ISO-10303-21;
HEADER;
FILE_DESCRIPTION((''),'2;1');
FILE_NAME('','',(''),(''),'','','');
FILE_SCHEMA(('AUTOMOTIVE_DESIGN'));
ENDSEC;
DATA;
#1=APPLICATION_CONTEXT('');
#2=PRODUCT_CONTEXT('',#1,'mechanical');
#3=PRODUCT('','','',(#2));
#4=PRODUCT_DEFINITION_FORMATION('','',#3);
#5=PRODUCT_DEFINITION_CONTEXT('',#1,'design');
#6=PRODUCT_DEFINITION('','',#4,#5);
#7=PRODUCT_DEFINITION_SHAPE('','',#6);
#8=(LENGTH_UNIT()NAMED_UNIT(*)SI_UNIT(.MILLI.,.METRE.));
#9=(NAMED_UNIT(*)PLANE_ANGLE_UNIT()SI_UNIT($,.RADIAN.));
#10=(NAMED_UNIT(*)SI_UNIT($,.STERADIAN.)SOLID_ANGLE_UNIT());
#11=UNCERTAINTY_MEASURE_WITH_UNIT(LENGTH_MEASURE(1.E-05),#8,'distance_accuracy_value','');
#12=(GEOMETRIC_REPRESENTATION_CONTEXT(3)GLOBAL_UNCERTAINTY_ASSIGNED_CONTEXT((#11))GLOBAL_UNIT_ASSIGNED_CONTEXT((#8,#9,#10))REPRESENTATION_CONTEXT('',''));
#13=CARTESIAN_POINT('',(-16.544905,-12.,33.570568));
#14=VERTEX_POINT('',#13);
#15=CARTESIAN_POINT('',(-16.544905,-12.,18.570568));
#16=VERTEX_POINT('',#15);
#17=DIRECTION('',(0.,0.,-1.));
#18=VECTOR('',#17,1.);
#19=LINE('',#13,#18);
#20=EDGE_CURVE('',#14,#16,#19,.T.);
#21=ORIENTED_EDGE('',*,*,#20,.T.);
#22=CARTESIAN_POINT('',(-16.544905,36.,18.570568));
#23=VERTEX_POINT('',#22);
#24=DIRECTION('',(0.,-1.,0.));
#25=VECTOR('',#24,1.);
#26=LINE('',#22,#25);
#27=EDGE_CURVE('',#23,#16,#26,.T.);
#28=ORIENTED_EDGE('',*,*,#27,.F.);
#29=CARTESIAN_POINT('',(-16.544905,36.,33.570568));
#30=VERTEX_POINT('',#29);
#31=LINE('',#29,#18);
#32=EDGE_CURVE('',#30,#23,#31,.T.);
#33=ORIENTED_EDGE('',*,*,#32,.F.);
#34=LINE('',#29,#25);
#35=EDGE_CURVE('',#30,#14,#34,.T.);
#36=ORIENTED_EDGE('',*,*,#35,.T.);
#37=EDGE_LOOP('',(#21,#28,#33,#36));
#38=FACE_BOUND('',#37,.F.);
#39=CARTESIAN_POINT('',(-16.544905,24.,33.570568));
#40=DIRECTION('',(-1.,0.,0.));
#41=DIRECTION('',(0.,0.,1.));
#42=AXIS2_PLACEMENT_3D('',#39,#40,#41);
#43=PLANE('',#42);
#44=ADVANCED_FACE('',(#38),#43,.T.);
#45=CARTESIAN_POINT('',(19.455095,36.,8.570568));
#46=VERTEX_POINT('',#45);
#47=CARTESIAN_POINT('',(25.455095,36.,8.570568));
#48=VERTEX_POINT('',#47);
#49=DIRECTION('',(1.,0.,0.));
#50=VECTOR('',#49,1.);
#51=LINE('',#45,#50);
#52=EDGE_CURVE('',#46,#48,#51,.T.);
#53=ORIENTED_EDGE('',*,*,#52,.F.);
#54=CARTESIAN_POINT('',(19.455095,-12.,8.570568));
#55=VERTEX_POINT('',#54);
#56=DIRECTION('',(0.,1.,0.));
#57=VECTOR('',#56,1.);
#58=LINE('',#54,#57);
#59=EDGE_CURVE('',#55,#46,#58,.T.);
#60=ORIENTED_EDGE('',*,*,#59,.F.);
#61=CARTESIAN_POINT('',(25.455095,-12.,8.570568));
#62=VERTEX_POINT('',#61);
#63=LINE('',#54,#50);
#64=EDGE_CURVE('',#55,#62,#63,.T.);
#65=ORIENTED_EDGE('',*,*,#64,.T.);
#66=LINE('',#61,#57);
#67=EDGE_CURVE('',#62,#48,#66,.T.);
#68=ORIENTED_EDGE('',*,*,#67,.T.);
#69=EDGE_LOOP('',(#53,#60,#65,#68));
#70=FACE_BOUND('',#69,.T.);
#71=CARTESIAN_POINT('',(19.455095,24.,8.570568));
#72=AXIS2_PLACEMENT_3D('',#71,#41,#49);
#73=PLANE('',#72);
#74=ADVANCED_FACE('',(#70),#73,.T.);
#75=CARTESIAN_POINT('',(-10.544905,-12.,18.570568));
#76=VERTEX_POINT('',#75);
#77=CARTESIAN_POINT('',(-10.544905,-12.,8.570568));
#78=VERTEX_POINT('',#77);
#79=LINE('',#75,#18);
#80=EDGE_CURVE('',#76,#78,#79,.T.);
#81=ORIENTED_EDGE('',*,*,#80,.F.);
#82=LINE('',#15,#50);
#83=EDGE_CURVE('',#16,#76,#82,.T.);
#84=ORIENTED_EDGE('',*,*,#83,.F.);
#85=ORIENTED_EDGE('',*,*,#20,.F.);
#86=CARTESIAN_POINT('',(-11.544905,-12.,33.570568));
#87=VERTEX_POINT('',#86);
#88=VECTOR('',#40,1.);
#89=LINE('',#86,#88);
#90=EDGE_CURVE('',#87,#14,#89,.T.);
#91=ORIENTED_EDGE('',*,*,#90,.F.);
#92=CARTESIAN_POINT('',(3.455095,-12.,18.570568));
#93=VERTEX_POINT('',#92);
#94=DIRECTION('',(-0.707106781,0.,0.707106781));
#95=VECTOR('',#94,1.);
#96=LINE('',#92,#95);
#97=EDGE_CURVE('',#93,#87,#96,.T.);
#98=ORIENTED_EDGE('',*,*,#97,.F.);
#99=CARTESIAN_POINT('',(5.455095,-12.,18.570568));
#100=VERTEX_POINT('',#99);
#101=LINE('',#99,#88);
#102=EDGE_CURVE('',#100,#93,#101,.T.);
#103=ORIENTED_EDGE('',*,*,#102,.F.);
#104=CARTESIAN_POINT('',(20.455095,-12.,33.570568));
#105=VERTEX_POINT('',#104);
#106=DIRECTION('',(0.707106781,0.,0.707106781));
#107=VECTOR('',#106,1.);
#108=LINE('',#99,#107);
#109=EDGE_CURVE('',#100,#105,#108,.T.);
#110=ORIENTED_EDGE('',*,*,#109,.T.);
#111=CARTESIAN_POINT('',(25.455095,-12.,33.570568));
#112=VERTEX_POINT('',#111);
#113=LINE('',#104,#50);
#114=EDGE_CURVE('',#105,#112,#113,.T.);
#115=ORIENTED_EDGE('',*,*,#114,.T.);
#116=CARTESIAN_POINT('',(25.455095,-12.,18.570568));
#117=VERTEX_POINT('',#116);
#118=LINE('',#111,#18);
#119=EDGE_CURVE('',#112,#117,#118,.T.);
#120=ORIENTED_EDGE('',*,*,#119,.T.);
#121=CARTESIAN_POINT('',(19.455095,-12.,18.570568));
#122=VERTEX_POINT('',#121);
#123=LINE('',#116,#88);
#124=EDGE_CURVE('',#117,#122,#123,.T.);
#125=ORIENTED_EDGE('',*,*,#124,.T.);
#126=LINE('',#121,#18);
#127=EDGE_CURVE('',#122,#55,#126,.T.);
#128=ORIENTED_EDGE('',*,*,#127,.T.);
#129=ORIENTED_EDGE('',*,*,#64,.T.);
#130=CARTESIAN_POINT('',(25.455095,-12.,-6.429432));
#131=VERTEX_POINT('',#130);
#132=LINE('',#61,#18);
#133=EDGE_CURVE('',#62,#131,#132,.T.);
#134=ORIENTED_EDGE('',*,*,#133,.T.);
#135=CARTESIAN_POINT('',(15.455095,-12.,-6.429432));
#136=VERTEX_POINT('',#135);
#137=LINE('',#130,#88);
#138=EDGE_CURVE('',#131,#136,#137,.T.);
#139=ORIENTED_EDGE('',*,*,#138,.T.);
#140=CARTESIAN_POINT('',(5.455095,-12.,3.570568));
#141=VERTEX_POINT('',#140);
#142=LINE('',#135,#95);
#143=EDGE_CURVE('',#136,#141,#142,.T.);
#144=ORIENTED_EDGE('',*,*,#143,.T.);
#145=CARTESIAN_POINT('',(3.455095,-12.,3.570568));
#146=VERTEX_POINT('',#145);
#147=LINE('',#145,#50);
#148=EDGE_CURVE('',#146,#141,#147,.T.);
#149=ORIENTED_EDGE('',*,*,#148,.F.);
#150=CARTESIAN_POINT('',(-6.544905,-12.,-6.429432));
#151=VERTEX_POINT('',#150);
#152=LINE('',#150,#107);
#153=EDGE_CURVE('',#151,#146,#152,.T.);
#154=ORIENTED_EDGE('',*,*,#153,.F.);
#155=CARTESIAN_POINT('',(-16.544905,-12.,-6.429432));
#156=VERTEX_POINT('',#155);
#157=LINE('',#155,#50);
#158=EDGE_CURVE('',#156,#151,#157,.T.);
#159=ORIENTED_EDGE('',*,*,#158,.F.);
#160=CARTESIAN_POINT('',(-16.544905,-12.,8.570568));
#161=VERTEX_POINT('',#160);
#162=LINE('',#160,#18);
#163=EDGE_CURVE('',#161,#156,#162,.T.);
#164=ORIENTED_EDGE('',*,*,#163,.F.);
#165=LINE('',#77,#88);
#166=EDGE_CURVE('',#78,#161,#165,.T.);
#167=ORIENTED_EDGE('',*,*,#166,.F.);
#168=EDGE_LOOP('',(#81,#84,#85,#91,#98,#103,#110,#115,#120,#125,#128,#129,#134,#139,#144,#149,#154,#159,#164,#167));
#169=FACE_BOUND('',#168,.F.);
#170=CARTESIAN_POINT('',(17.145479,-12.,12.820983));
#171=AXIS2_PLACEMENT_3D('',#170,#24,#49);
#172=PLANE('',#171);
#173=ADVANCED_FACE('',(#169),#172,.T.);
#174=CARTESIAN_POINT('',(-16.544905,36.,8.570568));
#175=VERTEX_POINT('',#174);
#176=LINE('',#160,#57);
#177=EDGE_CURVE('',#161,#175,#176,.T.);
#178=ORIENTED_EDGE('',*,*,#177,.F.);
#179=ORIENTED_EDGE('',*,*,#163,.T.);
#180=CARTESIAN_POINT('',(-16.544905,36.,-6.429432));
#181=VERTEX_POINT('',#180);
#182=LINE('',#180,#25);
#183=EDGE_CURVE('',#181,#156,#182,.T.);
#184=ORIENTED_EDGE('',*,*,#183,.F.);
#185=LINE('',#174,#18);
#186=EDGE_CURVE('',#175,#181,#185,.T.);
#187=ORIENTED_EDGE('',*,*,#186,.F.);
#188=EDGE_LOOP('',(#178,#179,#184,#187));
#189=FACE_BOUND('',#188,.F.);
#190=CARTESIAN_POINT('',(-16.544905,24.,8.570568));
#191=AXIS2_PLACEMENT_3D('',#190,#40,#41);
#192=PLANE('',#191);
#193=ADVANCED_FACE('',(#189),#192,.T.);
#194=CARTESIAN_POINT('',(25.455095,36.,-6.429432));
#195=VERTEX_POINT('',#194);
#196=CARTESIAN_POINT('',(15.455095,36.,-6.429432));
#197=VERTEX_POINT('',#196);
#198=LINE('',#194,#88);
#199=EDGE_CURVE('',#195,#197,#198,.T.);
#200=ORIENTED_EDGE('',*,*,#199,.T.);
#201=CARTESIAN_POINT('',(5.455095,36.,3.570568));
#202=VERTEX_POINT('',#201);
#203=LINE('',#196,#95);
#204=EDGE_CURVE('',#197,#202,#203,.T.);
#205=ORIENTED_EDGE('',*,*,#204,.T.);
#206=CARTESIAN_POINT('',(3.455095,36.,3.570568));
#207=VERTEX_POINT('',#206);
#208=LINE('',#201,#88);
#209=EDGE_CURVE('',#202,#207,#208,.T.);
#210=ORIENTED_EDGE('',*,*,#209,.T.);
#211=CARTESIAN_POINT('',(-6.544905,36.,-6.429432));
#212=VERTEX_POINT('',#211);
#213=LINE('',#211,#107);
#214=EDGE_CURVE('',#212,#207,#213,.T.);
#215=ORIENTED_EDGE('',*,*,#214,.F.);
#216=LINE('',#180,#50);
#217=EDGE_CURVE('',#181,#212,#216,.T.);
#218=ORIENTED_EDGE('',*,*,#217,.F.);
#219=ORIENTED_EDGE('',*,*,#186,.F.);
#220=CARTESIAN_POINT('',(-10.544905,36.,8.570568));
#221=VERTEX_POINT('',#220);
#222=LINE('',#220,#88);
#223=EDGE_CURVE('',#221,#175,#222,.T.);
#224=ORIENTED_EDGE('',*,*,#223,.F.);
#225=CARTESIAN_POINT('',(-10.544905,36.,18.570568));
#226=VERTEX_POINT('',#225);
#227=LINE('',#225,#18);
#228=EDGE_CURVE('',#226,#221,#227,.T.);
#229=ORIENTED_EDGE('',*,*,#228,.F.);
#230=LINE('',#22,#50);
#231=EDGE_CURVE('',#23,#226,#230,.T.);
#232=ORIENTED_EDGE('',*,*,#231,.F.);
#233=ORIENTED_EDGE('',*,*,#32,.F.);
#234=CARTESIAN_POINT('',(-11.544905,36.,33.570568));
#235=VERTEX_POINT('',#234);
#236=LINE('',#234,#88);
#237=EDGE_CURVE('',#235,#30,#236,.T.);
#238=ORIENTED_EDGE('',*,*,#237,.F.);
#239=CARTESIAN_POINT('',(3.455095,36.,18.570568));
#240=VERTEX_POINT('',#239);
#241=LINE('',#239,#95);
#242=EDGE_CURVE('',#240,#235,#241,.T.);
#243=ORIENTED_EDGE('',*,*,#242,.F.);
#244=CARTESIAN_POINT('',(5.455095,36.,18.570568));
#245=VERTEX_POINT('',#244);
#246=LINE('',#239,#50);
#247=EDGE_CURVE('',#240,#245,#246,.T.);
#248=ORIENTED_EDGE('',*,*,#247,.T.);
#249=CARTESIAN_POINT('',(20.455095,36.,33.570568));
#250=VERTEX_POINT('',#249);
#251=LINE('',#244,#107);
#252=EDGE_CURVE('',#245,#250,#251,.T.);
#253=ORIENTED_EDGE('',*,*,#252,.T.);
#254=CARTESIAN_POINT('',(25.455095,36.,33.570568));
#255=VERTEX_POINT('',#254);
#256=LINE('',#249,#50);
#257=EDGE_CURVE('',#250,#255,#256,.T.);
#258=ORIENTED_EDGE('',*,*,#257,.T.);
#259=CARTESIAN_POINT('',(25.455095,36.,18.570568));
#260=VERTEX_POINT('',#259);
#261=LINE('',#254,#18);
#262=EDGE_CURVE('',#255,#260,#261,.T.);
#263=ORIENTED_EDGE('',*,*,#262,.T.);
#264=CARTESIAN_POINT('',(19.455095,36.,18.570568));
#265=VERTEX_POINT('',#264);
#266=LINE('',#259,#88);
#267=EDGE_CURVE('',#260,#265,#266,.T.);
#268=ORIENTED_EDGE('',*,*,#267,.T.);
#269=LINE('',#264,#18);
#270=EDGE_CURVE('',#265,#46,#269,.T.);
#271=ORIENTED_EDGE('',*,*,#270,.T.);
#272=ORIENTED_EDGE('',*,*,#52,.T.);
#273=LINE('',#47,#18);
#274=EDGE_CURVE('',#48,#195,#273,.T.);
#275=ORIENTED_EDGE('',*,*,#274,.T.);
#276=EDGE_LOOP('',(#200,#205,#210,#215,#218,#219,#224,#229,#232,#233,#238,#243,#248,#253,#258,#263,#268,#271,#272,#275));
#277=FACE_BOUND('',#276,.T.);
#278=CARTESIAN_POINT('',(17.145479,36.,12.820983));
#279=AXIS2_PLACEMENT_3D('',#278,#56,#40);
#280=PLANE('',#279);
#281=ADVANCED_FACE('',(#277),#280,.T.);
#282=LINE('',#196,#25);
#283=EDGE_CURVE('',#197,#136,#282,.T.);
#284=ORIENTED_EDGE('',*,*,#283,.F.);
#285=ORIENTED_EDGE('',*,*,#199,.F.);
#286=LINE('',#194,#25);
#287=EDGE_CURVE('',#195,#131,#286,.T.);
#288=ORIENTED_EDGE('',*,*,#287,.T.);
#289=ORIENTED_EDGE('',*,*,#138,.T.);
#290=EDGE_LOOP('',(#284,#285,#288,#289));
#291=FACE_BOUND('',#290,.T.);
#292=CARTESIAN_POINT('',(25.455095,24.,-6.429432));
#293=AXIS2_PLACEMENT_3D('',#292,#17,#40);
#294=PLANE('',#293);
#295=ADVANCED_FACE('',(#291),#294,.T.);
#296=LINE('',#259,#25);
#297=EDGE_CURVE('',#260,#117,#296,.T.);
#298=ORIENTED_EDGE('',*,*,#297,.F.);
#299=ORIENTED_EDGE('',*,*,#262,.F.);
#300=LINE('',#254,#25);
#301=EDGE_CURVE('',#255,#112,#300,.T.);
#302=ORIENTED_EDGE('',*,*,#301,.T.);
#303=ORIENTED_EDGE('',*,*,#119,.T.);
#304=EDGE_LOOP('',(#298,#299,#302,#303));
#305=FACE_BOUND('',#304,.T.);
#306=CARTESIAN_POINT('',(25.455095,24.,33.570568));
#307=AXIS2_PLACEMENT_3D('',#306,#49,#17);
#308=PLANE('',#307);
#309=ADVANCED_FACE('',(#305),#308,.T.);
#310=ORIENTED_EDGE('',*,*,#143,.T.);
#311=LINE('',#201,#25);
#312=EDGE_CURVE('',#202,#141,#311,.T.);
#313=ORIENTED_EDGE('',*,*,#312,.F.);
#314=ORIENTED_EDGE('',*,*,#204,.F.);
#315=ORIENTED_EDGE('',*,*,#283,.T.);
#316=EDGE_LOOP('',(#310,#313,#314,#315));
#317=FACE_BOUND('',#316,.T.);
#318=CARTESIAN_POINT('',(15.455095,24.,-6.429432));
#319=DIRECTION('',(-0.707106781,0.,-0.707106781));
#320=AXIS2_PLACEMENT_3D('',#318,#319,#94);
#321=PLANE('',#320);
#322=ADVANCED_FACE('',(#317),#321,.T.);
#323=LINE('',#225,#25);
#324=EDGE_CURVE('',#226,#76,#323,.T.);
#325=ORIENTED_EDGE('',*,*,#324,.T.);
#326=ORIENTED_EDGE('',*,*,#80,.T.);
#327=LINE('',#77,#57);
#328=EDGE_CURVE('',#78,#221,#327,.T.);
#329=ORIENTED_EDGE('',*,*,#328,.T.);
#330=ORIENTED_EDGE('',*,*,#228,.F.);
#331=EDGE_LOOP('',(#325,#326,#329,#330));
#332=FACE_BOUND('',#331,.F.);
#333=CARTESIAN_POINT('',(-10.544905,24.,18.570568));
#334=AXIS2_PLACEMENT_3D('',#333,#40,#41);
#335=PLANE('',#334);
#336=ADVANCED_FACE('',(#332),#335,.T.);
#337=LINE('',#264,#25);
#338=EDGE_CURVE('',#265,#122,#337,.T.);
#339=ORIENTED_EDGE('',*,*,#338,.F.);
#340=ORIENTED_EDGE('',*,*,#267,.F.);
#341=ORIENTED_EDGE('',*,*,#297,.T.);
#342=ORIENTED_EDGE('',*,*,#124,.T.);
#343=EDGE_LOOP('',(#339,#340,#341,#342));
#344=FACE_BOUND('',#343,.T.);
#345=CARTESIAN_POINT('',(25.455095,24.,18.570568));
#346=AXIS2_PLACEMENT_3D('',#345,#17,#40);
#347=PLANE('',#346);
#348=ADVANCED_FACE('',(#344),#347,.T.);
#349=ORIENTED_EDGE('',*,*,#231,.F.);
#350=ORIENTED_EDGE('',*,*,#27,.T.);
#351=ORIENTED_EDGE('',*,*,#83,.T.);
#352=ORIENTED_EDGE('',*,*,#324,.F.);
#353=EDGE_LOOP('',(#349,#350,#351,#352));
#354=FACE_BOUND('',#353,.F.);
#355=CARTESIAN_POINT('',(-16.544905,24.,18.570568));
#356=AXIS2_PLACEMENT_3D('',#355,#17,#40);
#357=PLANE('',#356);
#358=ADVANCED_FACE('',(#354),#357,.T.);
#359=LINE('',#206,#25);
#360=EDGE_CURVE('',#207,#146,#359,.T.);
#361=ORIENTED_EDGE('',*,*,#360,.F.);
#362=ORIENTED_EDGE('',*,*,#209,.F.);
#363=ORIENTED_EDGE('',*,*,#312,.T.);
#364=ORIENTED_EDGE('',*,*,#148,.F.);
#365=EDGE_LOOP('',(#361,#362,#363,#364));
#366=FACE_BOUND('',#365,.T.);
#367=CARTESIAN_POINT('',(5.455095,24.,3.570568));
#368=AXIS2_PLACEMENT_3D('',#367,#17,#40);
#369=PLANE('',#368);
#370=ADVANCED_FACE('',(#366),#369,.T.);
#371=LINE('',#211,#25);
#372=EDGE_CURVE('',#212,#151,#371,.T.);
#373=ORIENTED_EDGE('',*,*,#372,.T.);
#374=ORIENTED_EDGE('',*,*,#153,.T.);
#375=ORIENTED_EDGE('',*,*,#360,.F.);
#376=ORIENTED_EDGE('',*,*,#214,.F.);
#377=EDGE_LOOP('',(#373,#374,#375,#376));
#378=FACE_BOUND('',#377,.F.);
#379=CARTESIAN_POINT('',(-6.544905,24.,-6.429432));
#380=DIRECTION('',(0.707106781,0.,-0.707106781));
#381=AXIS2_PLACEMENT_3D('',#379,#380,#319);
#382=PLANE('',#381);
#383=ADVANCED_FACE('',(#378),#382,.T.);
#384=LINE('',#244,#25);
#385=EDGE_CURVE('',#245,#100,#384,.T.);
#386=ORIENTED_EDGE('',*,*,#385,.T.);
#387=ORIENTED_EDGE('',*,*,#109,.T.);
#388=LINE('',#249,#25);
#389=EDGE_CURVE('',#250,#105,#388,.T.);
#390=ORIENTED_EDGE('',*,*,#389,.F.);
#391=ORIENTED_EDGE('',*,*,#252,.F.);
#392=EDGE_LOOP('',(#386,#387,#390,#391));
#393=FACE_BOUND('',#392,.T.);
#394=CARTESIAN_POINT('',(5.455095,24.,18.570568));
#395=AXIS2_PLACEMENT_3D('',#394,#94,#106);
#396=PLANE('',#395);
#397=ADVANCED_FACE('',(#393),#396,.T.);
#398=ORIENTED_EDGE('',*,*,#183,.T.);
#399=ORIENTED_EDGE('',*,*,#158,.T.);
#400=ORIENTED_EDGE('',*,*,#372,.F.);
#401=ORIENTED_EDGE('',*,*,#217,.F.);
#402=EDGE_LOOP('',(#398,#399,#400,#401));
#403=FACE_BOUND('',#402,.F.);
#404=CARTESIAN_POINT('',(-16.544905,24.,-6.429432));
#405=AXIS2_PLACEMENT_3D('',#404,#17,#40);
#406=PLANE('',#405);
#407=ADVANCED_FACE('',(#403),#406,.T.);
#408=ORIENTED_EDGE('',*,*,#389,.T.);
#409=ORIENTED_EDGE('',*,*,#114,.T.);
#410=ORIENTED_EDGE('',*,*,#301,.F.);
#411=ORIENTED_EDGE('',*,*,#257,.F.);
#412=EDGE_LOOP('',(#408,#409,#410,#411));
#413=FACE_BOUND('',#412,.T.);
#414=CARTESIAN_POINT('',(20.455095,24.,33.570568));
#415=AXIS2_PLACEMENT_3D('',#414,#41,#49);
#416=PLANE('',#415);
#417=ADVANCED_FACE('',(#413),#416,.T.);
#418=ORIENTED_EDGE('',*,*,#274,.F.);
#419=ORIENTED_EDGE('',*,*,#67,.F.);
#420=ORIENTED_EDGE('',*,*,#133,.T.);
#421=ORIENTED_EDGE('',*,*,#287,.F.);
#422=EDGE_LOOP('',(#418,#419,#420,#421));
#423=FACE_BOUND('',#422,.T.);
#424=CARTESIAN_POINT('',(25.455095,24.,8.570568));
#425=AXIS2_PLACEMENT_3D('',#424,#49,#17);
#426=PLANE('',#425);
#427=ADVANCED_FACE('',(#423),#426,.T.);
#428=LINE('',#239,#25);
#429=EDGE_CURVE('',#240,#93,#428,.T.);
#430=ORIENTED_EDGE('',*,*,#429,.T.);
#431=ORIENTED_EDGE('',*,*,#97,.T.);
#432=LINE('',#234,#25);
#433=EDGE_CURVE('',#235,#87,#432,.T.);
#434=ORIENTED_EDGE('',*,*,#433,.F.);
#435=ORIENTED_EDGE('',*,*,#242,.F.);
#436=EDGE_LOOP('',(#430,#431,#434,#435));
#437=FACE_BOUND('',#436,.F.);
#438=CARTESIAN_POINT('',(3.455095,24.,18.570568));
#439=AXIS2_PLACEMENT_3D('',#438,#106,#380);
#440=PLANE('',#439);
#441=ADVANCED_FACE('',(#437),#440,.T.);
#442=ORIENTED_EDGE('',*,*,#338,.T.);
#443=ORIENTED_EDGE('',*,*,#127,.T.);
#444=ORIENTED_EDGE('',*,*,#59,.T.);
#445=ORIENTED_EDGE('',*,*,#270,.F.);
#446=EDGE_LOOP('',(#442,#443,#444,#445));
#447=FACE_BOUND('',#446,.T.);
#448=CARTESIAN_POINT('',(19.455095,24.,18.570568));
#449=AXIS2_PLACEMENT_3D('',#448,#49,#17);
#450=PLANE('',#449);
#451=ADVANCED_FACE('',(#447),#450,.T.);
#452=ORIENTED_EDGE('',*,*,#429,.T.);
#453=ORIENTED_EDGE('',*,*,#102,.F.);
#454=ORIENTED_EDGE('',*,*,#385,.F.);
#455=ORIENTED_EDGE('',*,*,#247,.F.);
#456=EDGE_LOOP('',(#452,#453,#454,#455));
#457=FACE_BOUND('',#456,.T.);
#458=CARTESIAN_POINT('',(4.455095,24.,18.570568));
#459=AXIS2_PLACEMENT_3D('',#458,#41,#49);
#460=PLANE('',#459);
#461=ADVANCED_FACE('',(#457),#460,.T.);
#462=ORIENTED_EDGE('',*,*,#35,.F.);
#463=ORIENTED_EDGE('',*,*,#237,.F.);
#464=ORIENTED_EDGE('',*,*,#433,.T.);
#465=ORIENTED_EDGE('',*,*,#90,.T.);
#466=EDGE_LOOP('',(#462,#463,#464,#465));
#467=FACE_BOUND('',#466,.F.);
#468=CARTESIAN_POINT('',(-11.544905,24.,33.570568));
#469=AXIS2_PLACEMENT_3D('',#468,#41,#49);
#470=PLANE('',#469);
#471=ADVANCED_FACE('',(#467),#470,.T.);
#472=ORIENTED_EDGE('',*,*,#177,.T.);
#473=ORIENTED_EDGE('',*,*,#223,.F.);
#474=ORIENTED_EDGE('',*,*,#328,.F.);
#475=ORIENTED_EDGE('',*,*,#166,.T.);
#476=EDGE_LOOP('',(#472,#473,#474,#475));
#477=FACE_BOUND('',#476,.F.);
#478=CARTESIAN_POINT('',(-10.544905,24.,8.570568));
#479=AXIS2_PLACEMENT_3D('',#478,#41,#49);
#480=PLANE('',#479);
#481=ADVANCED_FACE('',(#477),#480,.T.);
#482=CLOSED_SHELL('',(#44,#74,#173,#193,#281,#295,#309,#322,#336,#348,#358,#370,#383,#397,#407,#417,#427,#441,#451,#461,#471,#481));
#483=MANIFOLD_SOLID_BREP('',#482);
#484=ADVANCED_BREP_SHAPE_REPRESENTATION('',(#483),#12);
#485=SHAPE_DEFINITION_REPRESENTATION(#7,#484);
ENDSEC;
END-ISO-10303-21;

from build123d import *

# Parameters (mm, degrees)
F1_DEPTH = 12


with BuildPart() as f1:
    # F0 (on Front) → F1 (new body, symmetric)
    with BuildSketch(Plane.XZ):
        Polygon((-16.544905, 8.570568), (-16.544905, -6.429432), (-6.544905, -6.429432), (3.455095, 3.570568), (4.455095, 3.570568), (4.455095, 18.570568), (3.455095, 18.570568), (-11.544905, 33.570568), (-16.544905, 33.570568), (-16.544905, 18.570568), (-10.544905, 18.570568), (-10.544905, 8.570568), align=None)
    extrude(amount=F1_DEPTH, both=True)

    # F2: F1 across face


with BuildPart() as f1_1:
    add(f1.part)
    add(f1.part.mirror(Plane(origin=(-7.082177, 12, 12.065645), x_dir=(1, 0, 0), z_dir=(0, 1, 0))))

    # F3: F1 across face


with BuildPart() as f1_2:
    add(f1_1.part)
    add(f1_1.part.mirror(Plane(origin=(4.455095, 12, 11.070568), x_dir=(0, 1, 0), z_dir=(1, 0, 0))))


solid = f1_2.part
